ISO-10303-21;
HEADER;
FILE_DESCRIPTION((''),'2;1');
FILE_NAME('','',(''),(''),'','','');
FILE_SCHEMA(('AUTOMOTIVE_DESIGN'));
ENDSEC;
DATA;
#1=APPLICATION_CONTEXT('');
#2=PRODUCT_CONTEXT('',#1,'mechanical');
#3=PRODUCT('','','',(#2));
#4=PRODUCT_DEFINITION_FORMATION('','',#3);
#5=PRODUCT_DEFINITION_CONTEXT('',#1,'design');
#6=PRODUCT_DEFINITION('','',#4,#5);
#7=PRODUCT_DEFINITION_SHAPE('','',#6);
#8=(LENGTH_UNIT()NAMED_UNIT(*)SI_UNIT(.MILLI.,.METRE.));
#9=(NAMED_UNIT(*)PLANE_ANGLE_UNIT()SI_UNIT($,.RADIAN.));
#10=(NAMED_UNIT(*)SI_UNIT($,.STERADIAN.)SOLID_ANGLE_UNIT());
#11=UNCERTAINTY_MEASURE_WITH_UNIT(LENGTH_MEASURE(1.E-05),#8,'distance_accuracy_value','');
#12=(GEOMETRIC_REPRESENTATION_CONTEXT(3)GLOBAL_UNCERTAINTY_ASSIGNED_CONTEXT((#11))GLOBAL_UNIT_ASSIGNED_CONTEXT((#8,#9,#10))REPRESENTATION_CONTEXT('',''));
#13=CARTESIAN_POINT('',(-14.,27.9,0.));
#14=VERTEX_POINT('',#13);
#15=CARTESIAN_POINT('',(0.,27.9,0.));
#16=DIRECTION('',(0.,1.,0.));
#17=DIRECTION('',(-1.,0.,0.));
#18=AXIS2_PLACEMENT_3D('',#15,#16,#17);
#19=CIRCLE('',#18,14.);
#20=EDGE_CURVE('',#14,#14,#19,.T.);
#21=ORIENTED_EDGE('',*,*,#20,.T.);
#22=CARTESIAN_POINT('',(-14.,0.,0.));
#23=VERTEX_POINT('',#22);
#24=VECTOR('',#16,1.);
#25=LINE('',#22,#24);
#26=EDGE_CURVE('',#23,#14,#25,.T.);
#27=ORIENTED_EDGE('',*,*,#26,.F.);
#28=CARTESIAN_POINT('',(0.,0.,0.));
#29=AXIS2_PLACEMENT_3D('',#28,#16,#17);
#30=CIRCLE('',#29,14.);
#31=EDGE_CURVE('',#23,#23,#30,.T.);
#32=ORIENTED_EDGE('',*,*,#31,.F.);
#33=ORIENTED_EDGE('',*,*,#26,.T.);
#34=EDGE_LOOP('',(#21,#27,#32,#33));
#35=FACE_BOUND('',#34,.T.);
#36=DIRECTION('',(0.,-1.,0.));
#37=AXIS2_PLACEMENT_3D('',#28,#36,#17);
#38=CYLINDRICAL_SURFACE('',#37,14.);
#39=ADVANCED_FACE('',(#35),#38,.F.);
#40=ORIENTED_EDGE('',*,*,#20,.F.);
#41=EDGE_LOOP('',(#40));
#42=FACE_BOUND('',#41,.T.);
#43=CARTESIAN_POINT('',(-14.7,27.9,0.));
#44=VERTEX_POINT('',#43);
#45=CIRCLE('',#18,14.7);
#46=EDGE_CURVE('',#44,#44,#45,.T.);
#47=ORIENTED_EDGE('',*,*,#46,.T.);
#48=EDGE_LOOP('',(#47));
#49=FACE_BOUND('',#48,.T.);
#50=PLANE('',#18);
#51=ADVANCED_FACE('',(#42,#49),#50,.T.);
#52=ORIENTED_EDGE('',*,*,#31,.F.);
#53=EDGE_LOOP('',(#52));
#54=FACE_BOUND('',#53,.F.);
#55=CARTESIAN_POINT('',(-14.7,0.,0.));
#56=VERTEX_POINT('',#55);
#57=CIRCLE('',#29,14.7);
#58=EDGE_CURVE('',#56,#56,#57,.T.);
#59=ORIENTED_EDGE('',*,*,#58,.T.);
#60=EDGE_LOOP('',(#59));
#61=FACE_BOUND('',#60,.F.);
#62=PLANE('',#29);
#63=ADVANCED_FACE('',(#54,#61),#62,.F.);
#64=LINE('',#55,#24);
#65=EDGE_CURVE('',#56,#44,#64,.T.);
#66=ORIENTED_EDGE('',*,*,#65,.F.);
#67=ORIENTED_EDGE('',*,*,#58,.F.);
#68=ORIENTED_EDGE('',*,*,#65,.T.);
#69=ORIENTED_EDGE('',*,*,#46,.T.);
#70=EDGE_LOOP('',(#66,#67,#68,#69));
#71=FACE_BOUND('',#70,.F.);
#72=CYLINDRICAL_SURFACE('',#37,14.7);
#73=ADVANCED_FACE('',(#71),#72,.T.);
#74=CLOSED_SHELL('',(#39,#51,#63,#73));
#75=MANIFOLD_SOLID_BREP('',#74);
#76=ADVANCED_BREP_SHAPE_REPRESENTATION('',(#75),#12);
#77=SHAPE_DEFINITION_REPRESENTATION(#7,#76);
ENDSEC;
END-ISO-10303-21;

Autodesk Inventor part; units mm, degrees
ref_plane "YZ Plane" through (0, 0, 0) normal (1, 0, 0) x (0, 1, 0)
ref_plane "XZ Plane" through (0, 0, 0) normal (0, 1, 0) x (-1, 0, 0)
ref_plane "XY Plane" through (0, 0, 0) normal (0, 0, 1) x (1, 0, 0)
sketch "Sketch1" plane through (0, 0, 0) normal (0, 1, 0) x (-1, 0, 0)
  circle A0 centre (0, 0) radius 14
  circle A1 centre (0, 0) radius 14.7
  dimension "d0" = 28
  dimension "d4" = 0.7
  dimension "d5" = 29.4
extrude "Extrusion1" add sketch "Sketch1" along normal blind 27.9
properties part number "metal_shield"
